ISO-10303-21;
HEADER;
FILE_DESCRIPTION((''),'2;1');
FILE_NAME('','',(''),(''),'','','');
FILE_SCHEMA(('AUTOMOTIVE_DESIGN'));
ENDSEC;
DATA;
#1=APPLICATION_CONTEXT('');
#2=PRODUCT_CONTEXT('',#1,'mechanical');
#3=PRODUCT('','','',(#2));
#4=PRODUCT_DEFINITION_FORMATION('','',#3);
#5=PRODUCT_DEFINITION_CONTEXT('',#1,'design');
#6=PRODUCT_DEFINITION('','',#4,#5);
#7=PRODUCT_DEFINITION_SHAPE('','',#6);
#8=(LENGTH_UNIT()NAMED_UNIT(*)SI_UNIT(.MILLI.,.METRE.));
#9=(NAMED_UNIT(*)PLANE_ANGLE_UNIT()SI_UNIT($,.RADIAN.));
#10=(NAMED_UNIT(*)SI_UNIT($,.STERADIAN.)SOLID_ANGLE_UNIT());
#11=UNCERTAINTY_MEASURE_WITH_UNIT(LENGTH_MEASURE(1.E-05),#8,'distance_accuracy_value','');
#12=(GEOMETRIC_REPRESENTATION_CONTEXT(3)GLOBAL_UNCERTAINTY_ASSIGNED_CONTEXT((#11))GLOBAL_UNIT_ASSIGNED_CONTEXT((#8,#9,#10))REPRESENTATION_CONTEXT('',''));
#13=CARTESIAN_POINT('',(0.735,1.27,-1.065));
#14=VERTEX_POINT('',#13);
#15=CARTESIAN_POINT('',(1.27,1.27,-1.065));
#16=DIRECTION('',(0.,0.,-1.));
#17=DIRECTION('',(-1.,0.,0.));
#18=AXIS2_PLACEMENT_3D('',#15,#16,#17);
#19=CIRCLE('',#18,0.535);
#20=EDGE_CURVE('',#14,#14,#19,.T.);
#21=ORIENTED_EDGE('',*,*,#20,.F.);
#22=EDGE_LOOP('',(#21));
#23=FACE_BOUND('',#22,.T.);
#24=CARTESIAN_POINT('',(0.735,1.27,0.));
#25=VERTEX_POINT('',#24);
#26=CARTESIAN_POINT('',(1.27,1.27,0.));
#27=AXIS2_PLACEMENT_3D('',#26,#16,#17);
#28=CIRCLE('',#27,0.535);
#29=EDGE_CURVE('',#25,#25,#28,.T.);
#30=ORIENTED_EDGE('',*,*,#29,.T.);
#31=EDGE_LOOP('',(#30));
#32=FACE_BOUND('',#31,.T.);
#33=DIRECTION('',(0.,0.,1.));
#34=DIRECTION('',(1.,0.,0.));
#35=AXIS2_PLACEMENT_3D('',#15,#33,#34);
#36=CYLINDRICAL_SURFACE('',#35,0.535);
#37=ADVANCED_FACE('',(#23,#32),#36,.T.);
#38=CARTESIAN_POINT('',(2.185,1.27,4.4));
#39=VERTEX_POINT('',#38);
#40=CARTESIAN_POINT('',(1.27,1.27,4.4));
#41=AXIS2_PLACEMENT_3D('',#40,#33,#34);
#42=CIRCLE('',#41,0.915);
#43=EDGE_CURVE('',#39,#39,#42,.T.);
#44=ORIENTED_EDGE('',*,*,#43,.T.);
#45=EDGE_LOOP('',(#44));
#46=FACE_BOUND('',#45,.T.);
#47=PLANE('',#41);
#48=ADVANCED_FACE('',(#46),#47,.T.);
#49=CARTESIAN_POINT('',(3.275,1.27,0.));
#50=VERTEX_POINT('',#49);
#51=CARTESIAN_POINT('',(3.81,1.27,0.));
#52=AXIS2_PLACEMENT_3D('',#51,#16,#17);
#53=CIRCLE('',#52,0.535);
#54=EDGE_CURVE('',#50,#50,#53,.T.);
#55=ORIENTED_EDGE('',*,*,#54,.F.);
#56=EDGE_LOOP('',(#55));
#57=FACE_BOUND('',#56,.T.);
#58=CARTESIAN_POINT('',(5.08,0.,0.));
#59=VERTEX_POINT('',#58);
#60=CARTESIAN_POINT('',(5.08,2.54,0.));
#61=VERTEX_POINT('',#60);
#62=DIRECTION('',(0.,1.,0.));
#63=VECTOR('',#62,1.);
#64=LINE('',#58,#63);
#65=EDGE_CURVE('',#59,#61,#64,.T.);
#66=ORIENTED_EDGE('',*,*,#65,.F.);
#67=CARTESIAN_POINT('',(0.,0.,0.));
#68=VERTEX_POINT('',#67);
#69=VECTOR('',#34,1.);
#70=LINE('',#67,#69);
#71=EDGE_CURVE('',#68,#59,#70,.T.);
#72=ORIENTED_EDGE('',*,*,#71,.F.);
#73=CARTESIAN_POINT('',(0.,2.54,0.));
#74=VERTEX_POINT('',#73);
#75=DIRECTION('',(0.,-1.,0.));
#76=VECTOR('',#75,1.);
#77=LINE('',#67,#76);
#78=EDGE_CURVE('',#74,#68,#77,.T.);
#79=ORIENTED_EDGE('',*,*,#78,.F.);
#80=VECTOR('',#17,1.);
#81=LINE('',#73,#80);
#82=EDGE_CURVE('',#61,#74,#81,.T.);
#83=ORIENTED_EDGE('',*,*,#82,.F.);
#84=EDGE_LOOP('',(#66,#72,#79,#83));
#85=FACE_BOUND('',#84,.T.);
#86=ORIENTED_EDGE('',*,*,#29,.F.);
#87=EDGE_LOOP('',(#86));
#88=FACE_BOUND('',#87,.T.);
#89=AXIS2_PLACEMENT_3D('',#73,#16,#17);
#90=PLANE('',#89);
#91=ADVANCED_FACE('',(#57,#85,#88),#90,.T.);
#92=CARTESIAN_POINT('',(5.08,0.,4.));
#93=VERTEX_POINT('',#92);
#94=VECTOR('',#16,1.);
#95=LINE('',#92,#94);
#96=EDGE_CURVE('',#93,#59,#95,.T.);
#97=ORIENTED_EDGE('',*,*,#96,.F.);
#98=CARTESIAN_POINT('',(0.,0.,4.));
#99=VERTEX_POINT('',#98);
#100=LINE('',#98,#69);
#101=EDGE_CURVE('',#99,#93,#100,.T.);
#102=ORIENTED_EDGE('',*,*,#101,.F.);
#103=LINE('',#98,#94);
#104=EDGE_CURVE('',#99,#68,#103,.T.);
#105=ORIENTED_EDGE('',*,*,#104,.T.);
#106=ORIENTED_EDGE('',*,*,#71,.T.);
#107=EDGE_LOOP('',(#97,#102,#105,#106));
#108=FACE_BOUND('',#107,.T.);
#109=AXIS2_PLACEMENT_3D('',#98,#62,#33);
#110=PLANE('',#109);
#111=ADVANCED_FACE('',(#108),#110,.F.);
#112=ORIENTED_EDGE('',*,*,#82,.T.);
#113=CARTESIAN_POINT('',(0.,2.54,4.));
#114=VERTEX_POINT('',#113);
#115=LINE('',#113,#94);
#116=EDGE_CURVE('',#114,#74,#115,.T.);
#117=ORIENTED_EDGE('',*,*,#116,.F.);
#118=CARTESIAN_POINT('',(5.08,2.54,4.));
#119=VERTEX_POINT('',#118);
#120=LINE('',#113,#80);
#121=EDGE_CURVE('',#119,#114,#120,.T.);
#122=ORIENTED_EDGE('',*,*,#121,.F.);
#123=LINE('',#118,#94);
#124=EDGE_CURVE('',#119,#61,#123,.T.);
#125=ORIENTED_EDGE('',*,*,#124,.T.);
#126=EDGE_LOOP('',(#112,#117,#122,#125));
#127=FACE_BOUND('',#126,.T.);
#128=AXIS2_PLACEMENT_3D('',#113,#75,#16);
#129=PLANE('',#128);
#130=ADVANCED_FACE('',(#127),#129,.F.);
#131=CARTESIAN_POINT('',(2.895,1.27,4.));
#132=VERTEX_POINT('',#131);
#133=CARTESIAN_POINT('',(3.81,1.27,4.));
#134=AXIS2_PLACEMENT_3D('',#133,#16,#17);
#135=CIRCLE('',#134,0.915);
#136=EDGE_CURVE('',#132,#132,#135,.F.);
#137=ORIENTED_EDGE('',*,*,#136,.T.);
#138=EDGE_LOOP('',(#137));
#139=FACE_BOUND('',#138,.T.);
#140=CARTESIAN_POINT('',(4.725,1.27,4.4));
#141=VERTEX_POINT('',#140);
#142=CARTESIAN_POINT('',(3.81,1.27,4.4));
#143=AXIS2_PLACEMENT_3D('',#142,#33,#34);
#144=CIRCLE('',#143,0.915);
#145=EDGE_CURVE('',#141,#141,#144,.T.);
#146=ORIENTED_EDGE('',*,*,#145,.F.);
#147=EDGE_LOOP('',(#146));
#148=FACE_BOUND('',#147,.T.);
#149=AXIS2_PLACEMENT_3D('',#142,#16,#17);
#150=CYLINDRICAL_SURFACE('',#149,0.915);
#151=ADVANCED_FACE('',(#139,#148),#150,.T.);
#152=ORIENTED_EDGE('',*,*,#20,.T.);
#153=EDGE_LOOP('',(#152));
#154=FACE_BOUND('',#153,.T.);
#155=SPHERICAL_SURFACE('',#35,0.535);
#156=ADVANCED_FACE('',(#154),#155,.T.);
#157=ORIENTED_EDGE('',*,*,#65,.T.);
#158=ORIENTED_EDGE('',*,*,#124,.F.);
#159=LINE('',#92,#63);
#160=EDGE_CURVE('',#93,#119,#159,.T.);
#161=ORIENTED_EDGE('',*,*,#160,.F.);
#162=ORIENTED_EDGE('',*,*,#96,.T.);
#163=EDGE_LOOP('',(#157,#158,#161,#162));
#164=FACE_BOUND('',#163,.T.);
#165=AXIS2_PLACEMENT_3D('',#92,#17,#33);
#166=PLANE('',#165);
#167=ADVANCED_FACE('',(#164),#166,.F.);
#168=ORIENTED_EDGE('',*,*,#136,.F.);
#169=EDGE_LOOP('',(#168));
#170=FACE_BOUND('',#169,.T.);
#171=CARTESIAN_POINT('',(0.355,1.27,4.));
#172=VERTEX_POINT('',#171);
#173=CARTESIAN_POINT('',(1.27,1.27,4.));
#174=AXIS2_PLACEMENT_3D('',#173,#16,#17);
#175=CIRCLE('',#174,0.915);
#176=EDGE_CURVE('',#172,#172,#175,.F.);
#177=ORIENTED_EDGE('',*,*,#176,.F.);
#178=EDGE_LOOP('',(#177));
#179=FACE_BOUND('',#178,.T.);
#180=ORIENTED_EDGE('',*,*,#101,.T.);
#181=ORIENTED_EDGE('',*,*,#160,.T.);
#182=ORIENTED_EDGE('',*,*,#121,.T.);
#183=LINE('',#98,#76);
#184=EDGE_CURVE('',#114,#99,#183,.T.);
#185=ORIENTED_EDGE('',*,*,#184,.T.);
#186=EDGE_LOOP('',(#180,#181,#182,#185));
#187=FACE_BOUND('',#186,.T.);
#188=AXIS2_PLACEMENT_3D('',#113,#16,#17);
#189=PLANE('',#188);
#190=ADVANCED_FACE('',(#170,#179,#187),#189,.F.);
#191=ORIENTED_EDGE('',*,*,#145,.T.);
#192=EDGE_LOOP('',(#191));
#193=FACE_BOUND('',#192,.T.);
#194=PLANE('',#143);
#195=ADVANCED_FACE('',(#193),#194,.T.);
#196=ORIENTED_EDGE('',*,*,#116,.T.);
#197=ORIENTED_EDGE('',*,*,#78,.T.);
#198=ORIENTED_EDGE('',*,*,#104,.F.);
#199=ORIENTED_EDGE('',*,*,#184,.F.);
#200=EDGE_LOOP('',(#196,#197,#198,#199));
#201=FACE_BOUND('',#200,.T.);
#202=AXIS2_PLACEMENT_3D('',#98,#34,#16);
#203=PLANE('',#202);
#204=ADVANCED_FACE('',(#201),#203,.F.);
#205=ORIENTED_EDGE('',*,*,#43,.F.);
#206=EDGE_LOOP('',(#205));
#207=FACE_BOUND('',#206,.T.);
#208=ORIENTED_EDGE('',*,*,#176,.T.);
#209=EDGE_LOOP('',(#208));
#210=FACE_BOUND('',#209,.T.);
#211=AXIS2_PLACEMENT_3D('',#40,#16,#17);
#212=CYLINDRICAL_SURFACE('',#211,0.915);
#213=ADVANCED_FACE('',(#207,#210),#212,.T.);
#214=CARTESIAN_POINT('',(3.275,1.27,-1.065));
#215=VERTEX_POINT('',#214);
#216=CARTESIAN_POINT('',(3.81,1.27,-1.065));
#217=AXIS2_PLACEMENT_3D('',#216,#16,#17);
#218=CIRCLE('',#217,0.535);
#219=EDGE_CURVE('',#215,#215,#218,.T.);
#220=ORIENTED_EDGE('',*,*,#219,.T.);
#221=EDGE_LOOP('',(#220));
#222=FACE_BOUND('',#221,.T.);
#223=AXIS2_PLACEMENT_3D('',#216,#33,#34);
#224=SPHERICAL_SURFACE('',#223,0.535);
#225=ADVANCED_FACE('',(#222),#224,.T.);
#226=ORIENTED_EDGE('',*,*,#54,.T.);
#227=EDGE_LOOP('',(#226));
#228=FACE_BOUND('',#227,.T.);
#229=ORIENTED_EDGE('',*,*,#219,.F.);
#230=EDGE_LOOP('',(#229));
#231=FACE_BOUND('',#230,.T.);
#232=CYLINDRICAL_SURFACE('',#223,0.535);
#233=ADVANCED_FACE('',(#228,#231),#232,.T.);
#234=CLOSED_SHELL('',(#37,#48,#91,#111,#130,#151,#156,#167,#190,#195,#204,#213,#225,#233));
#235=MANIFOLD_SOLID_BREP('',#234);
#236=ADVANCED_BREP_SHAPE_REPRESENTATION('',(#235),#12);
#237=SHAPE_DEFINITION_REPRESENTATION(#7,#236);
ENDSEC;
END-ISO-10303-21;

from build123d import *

# Parameters (mm, degrees)
ESQUISSE1_W       = 5.08
ESQUISSE1_H       = 2.54
EXTRUSION1_DEPTH  = 4
ESQUISSE2_R       = 0.915
EXTRUSION2_DEPTH  = 0.4
ESQUISSE3_R       = 0.535
EXTRUSION3_DEPTH  = 1.065
D_ME1_FACE_RADIUS = 0.535
D_ME1_HEIGHT      = 0.535
D_ME2_FACE_RADIUS = 0.535
D_ME2_HEIGHT      = 0.535


with BuildPart() as part:
    # Esquisse1 → Extrusion1 (new body)
    with BuildSketch(Plane.XY):
        with Locations((2.54, 1.27)):
            Rectangle(ESQUISSE1_W, ESQUISSE1_H)
    extrude(amount=EXTRUSION1_DEPTH)

    # Esquisse2 → Extrusion2 (add)
    with BuildSketch(Plane.XY.offset(4)):
        with Locations(Location((3.81, 1.27, 0), (0, 0, 180))):
            Circle(ESQUISSE2_R)
        with Locations(Location((1.27, 1.27, 0), (0, 0, 180))):
            Circle(ESQUISSE2_R)
    extrude(amount=EXTRUSION2_DEPTH)

    # Esquisse3 → Extrusion3 (add)
    with BuildSketch(Plane(origin=(0, 0, 0), x_dir=(-1, 0, 0), z_dir=(0, 0, -1))):
        with Locations((-3.81, 1.27)):
            Circle(ESQUISSE3_R)
        with Locations((-1.27, 1.27)):
            Circle(ESQUISSE3_R)
    extrude(amount=EXTRUSION3_DEPTH)

    # Dôme1: a dome of height H over a round flat face of radius A is a cap of a sphere of radius (A * A + H * H) / (2 * H)
    d_me1_r = (D_ME1_FACE_RADIUS * D_ME1_FACE_RADIUS + D_ME1_HEIGHT * D_ME1_HEIGHT) / (2 * D_ME1_HEIGHT)
    d_me1_base = Plane((3.81, 1.27, -1.065), z_dir=(0, 0, -1))
    with Locations(d_me1_base.offset(D_ME1_HEIGHT - d_me1_r)):
        d_me1_ball = Sphere(d_me1_r, mode=Mode.PRIVATE)
    add(split(d_me1_ball, bisect_by=d_me1_base, keep=Keep.TOP, mode=Mode.PRIVATE))

    # Dôme2: a dome of height H over a round flat face of radius A is a cap of a sphere of radius (A * A + H * H) / (2 * H)
    d_me2_r = (D_ME2_FACE_RADIUS * D_ME2_FACE_RADIUS + D_ME2_HEIGHT * D_ME2_HEIGHT) / (2 * D_ME2_HEIGHT)
    d_me2_base = Plane((1.27, 1.27, -1.065), z_dir=(0, 0, -1))
    with Locations(d_me2_base.offset(D_ME2_HEIGHT - d_me2_r)):
        d_me2_ball = Sphere(d_me2_r, mode=Mode.PRIVATE)
    add(split(d_me2_ball, bisect_by=d_me2_base, keep=Keep.TOP, mode=Mode.PRIVATE))


solid = part.part
